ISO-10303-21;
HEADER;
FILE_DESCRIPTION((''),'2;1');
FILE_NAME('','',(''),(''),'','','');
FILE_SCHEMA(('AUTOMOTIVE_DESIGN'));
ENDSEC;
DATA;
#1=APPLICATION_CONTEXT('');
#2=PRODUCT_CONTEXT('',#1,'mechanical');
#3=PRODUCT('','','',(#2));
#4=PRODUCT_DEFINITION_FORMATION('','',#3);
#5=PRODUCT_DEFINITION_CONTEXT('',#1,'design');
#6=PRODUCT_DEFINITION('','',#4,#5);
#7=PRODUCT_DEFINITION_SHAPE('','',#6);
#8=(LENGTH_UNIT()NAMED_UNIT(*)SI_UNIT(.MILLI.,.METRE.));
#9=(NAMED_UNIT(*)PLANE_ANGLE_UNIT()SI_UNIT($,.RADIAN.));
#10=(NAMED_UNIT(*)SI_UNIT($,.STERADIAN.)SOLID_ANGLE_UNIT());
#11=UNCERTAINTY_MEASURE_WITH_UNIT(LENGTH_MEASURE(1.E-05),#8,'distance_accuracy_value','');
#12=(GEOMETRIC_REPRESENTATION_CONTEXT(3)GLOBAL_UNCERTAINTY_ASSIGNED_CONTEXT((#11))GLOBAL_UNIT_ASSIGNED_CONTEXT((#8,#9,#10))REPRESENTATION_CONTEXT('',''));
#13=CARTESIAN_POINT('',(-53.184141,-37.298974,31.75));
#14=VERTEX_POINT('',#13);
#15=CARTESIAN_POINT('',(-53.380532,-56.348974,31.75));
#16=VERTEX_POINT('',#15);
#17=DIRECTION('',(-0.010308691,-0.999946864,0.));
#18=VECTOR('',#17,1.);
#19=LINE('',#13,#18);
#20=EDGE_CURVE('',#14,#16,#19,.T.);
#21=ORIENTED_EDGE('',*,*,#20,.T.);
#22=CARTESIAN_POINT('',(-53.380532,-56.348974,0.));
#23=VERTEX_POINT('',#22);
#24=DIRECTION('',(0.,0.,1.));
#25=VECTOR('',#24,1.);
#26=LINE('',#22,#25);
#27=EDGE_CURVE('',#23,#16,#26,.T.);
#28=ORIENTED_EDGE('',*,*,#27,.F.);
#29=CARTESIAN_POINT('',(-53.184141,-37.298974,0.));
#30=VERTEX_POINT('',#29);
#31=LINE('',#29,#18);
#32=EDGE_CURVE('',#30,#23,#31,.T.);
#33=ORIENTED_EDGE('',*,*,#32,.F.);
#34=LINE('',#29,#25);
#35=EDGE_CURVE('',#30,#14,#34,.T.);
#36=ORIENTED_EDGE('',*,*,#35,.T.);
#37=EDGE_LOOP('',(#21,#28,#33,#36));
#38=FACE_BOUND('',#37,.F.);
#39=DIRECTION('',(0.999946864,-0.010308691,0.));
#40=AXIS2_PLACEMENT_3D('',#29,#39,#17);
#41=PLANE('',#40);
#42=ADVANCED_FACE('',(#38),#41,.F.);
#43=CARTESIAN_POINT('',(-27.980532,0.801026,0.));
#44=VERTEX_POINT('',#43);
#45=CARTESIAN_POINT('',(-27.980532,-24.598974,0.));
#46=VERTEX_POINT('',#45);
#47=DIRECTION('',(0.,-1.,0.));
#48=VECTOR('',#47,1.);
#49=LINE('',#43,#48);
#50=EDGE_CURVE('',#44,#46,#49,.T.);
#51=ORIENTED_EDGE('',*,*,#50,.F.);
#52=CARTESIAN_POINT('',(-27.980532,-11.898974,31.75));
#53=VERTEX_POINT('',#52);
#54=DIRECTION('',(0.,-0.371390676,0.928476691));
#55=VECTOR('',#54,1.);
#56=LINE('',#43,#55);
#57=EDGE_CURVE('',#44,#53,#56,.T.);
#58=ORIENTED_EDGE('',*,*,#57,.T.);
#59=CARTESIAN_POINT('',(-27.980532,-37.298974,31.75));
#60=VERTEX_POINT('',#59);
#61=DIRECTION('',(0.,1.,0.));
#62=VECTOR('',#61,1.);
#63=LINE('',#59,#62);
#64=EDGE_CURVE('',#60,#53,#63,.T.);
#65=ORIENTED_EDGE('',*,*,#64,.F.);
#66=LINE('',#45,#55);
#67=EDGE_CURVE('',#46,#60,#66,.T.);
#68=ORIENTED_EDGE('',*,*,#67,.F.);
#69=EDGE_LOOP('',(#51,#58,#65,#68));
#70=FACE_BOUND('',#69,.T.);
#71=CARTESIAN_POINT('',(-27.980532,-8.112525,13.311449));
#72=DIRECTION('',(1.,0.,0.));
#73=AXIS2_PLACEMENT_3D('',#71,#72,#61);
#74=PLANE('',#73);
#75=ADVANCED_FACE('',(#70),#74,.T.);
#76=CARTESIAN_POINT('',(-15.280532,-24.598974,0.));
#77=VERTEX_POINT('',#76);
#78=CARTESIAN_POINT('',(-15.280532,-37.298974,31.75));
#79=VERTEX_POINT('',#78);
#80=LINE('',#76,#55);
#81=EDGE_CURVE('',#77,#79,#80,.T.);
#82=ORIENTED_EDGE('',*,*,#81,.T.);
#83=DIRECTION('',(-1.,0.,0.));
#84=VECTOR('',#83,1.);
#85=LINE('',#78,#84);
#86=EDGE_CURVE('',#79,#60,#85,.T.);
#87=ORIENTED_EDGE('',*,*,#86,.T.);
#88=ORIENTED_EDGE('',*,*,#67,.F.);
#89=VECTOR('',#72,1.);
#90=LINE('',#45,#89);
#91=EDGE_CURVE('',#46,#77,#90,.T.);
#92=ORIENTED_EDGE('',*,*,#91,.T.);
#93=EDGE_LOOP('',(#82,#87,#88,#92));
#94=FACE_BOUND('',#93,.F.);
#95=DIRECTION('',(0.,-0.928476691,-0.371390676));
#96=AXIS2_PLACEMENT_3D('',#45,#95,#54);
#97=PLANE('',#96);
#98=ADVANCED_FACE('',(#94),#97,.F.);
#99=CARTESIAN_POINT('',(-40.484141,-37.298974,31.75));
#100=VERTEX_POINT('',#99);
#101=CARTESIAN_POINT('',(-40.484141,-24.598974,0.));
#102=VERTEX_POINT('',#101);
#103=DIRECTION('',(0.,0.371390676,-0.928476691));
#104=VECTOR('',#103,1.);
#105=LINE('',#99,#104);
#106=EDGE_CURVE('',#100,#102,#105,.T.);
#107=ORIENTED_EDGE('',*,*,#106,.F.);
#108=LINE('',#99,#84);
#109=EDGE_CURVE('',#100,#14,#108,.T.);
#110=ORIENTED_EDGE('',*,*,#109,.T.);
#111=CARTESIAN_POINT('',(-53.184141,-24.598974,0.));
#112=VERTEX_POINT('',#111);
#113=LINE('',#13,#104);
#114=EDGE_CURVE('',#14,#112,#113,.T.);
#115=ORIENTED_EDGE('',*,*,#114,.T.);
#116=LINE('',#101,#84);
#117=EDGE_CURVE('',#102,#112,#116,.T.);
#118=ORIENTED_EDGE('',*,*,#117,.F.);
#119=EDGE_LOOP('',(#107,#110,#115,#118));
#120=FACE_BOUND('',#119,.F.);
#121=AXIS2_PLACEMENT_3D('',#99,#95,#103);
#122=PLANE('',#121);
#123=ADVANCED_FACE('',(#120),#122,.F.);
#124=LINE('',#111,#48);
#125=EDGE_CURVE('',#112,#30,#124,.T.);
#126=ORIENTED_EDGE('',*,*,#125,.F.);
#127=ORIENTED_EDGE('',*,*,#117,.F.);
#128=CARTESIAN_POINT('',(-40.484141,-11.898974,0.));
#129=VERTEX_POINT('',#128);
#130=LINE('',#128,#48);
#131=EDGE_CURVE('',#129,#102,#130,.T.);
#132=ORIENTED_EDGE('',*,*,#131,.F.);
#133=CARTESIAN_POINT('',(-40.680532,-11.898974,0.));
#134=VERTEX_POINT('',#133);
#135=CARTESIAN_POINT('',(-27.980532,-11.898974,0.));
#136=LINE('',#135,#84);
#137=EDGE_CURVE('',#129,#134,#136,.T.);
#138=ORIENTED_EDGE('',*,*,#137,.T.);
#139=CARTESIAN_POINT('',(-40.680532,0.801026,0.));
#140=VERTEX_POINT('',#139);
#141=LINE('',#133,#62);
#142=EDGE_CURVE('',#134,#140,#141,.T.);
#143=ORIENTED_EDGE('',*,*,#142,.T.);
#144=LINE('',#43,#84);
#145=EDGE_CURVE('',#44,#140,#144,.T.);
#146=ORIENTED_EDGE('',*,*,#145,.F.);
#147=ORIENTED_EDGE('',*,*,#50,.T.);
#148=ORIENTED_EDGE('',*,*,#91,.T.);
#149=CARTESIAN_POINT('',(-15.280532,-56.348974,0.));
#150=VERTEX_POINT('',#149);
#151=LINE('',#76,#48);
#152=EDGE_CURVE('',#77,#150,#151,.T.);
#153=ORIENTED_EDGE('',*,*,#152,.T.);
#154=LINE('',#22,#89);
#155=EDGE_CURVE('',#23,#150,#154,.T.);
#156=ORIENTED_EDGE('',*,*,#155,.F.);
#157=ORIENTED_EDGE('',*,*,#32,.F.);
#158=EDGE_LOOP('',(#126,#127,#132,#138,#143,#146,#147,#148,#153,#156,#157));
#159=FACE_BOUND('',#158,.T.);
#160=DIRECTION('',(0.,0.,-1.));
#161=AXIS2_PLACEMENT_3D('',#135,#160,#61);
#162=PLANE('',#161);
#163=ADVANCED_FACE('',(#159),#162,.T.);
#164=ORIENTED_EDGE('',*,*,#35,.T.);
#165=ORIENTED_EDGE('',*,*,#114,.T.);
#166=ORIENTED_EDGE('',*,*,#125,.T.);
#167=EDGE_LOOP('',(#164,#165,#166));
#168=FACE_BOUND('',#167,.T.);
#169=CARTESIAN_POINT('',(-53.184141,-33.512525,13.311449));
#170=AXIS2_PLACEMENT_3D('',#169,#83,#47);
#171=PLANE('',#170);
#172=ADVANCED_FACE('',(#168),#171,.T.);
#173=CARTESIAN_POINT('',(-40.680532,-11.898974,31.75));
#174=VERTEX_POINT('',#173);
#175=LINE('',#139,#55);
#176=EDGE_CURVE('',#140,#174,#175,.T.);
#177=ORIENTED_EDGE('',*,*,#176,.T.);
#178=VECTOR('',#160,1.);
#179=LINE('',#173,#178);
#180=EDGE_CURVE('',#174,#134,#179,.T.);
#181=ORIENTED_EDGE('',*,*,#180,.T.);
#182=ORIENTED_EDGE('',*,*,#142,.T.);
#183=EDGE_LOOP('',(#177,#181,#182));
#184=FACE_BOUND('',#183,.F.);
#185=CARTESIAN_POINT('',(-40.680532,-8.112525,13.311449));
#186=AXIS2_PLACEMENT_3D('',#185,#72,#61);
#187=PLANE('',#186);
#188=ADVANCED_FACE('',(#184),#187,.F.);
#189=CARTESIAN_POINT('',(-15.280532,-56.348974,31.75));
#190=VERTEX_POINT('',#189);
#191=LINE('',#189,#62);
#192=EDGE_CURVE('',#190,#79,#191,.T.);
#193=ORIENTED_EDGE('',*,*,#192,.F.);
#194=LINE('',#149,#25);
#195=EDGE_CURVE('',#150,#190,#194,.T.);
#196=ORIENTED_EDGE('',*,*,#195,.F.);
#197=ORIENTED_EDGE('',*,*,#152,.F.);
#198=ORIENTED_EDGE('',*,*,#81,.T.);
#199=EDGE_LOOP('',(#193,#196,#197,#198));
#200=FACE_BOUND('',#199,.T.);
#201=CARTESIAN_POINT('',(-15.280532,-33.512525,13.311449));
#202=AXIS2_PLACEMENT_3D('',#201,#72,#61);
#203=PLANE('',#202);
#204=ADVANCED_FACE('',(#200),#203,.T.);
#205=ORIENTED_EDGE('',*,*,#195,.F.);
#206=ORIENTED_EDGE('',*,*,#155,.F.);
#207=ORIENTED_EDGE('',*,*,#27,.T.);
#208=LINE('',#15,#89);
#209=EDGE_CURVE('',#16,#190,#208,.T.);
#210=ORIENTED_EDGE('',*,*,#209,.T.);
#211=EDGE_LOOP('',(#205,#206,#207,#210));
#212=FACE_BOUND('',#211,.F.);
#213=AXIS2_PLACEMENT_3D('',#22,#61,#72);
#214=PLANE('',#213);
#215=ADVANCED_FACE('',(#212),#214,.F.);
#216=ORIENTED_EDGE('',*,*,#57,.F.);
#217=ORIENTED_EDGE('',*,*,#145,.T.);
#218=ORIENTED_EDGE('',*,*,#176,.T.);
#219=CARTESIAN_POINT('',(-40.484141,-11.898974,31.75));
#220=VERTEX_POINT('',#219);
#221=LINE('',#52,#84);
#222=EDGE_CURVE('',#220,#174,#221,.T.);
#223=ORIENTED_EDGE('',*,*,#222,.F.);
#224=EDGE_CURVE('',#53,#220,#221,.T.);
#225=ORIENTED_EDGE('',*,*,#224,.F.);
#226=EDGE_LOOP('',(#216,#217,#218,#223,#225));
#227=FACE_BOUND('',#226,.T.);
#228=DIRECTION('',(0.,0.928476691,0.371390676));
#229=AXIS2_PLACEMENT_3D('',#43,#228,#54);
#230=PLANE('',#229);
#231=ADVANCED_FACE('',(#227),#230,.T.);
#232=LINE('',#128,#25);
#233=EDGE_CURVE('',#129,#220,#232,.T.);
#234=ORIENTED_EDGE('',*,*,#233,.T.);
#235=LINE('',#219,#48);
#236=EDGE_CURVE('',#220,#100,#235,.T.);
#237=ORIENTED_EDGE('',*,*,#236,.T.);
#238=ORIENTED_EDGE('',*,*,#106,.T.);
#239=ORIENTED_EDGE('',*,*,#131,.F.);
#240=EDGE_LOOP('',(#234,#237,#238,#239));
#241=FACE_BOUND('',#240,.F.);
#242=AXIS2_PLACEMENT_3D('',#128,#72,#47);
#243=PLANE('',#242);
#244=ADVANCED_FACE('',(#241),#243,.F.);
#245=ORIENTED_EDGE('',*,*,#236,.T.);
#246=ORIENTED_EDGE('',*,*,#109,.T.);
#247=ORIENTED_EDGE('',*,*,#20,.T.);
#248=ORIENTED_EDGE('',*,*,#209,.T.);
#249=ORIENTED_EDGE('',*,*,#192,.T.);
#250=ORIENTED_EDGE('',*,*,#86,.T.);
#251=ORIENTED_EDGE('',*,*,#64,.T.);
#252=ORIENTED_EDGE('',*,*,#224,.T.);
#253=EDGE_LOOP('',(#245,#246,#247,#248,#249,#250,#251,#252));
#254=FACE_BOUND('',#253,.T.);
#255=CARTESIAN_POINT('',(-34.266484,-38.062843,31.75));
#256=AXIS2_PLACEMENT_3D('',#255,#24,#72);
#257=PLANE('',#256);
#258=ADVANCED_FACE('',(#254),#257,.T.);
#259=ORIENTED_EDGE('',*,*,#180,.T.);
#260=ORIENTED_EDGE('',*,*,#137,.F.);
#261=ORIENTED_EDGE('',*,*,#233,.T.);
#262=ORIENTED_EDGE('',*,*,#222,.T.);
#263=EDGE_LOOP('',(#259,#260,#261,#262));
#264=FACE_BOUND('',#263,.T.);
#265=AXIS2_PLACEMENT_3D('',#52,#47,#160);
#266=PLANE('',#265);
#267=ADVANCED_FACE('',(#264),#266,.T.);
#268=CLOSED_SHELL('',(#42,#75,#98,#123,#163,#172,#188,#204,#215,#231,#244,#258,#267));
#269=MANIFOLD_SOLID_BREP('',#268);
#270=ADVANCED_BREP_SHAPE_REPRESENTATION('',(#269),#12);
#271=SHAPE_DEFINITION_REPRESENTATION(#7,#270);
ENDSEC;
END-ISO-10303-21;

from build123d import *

# Parameters (mm, degrees)
F1_DEPTH = 31.75
F3_DEPTH = 12.7
F5_DEPTH = 12.7
F7_DEPTH = 12.7


with BuildPart() as f1:
    # F0 (on Top) → F1 (new body)
    with BuildSketch(Plane.XY):
        Polygon((-53.184141, -37.298974), (-53.380532, -56.348974), (-15.280532, -56.348974), (-15.280532, -37.298974), (-27.980532, -37.298974), (-27.980532, -11.898974), (-40.484141, -11.898974), (-40.484141, -37.298974), align=None)
    extrude(amount=F1_DEPTH)

    # F2 (on face) → F3 (join)
    with BuildSketch(Plane.YZ.offset(-27.980532)):
        Polygon((-24.598974, 0), (-37.298974, 31.75), (-37.298974, 0), align=None)
    extrude(amount=F3_DEPTH)

    # F4 (on face) → F5 (join)
    with BuildSketch(Plane(origin=(-40.484141, 0, 0), x_dir=(0, -1, 0), z_dir=(-1, 0, 0))):
        Polygon((37.298974, 0), (37.298974, 31.75), (24.598974, 0), align=None)
    extrude(amount=F5_DEPTH)

    # F6 (on face) → F7 (join)
    with BuildSketch(Plane.YZ.offset(-27.980532)):
        Polygon((0.801026, 0), (-11.898974, 31.75), (-11.898974, 0), align=None)
    extrude(amount=-F7_DEPTH)


solid = f1.part
